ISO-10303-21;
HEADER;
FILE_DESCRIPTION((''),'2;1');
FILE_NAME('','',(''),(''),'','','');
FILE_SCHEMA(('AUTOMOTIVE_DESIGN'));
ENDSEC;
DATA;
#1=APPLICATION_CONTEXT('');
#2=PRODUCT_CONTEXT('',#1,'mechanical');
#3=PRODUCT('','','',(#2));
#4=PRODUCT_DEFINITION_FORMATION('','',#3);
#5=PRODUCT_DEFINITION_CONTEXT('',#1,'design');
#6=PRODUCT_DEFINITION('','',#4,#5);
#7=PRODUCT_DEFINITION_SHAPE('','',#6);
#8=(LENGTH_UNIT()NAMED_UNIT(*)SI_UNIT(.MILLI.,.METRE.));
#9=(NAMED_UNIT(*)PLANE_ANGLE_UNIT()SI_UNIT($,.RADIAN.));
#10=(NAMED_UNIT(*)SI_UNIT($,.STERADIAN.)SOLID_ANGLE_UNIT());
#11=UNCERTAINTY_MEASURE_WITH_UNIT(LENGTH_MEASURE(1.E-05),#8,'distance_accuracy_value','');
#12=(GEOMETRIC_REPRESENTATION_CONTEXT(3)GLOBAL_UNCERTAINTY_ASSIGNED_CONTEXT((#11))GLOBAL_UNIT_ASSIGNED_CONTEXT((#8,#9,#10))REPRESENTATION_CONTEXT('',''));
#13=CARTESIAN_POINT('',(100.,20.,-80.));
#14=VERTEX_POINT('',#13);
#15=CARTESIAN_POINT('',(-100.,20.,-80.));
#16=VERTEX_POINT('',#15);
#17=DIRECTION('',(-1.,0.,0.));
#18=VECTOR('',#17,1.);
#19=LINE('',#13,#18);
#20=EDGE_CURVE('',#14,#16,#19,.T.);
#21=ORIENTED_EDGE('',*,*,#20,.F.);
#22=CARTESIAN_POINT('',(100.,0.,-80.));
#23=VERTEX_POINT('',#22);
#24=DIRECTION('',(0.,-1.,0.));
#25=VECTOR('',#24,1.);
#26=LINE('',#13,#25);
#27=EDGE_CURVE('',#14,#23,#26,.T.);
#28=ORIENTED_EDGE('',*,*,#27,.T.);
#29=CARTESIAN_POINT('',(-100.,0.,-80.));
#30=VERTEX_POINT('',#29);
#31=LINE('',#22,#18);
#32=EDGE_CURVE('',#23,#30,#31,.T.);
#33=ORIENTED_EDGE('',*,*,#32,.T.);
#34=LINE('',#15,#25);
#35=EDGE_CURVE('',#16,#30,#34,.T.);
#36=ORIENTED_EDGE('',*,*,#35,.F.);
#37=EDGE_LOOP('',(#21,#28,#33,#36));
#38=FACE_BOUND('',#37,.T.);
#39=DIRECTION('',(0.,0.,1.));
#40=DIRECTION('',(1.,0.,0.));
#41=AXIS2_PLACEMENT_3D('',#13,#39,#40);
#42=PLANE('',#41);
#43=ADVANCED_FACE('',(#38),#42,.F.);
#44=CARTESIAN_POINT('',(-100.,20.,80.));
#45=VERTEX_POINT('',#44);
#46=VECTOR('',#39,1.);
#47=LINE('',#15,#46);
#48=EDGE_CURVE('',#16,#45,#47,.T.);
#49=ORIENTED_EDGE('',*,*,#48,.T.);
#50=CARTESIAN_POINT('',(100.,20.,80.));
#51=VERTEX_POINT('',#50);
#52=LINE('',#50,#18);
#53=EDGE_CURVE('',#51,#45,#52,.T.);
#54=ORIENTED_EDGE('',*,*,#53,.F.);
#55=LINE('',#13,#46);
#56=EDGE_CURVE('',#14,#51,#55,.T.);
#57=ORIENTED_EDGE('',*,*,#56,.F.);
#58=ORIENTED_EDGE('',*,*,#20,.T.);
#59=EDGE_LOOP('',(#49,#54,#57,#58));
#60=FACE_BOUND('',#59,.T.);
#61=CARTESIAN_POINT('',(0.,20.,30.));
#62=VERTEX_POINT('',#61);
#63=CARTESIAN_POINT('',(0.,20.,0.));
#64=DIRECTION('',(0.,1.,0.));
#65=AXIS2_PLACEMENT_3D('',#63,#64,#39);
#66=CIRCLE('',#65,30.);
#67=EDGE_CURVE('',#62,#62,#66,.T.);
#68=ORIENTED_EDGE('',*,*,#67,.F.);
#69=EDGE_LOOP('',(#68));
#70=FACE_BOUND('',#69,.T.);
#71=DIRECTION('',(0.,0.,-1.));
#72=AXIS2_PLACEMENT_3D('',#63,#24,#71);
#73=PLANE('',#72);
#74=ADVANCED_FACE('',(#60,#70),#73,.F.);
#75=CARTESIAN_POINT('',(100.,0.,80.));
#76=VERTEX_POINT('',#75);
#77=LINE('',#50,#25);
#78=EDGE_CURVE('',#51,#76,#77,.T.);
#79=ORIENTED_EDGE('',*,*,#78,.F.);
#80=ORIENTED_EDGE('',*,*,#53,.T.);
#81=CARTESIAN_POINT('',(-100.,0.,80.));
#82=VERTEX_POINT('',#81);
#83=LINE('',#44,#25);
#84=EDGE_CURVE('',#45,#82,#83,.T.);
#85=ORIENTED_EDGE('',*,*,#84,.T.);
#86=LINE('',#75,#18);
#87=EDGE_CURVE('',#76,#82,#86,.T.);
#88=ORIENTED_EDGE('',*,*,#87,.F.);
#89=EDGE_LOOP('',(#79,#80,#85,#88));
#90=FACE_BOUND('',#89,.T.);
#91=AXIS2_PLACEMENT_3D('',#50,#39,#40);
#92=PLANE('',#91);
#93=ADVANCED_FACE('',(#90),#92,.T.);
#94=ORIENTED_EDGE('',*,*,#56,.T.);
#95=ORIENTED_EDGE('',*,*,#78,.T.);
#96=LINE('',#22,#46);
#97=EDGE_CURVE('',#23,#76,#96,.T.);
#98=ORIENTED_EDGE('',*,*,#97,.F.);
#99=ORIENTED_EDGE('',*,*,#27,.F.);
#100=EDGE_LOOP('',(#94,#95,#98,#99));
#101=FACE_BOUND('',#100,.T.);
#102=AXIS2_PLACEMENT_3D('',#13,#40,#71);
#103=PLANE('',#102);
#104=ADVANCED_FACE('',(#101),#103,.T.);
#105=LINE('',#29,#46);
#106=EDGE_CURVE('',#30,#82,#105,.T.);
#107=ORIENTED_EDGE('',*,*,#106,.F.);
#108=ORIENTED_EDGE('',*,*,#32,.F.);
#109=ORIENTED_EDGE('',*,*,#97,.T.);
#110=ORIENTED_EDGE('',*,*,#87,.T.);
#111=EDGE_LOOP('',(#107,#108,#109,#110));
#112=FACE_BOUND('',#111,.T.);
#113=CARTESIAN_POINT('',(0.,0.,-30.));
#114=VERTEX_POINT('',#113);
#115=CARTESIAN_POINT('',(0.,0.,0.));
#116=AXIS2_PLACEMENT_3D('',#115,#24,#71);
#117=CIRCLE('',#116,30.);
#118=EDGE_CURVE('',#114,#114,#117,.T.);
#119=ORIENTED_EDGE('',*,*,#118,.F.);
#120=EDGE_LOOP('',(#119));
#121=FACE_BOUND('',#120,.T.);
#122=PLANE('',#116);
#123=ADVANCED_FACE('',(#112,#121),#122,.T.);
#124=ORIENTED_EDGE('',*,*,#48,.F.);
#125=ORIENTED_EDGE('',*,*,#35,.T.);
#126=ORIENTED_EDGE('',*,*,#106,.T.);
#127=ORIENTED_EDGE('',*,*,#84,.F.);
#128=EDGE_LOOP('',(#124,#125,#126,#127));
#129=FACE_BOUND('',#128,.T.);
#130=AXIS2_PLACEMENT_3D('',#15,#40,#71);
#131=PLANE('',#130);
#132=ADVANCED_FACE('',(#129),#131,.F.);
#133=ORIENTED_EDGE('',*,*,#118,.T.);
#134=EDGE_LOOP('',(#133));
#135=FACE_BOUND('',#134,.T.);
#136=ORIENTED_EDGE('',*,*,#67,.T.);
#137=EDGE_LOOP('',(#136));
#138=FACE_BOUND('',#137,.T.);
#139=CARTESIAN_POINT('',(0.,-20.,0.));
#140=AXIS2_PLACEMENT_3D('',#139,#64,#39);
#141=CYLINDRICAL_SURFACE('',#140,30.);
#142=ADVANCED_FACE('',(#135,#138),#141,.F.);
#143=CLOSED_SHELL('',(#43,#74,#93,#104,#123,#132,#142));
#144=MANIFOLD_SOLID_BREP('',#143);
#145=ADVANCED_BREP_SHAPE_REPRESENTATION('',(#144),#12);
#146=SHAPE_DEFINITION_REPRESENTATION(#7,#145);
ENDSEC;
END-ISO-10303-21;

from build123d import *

# Parameters (mm, degrees)
SKETCH1_W          = 200
SKETCH1_H          = 160
BASE_DEPTH         = 20
SKETCH2_R          = 30
ACTUATOR_CUT_DEPTH = 40


with BuildPart() as part:
    # Sketch1 → base (new body)
    with BuildSketch(Plane(origin=(0, 0, 0), x_dir=(1, 0, 0), z_dir=(0, 1, 0))):
        Rectangle(SKETCH1_W, SKETCH1_H)
    extrude(amount=BASE_DEPTH)

    # Sketch2 → actuator cut (cut)
    with BuildSketch(Plane(origin=(0, 20, 0), x_dir=(1, 0, 0), z_dir=(0, 1, 0))):
        Circle(SKETCH2_R)
    extrude(amount=-ACTUATOR_CUT_DEPTH, mode=Mode.SUBTRACT)


solid = part.part
